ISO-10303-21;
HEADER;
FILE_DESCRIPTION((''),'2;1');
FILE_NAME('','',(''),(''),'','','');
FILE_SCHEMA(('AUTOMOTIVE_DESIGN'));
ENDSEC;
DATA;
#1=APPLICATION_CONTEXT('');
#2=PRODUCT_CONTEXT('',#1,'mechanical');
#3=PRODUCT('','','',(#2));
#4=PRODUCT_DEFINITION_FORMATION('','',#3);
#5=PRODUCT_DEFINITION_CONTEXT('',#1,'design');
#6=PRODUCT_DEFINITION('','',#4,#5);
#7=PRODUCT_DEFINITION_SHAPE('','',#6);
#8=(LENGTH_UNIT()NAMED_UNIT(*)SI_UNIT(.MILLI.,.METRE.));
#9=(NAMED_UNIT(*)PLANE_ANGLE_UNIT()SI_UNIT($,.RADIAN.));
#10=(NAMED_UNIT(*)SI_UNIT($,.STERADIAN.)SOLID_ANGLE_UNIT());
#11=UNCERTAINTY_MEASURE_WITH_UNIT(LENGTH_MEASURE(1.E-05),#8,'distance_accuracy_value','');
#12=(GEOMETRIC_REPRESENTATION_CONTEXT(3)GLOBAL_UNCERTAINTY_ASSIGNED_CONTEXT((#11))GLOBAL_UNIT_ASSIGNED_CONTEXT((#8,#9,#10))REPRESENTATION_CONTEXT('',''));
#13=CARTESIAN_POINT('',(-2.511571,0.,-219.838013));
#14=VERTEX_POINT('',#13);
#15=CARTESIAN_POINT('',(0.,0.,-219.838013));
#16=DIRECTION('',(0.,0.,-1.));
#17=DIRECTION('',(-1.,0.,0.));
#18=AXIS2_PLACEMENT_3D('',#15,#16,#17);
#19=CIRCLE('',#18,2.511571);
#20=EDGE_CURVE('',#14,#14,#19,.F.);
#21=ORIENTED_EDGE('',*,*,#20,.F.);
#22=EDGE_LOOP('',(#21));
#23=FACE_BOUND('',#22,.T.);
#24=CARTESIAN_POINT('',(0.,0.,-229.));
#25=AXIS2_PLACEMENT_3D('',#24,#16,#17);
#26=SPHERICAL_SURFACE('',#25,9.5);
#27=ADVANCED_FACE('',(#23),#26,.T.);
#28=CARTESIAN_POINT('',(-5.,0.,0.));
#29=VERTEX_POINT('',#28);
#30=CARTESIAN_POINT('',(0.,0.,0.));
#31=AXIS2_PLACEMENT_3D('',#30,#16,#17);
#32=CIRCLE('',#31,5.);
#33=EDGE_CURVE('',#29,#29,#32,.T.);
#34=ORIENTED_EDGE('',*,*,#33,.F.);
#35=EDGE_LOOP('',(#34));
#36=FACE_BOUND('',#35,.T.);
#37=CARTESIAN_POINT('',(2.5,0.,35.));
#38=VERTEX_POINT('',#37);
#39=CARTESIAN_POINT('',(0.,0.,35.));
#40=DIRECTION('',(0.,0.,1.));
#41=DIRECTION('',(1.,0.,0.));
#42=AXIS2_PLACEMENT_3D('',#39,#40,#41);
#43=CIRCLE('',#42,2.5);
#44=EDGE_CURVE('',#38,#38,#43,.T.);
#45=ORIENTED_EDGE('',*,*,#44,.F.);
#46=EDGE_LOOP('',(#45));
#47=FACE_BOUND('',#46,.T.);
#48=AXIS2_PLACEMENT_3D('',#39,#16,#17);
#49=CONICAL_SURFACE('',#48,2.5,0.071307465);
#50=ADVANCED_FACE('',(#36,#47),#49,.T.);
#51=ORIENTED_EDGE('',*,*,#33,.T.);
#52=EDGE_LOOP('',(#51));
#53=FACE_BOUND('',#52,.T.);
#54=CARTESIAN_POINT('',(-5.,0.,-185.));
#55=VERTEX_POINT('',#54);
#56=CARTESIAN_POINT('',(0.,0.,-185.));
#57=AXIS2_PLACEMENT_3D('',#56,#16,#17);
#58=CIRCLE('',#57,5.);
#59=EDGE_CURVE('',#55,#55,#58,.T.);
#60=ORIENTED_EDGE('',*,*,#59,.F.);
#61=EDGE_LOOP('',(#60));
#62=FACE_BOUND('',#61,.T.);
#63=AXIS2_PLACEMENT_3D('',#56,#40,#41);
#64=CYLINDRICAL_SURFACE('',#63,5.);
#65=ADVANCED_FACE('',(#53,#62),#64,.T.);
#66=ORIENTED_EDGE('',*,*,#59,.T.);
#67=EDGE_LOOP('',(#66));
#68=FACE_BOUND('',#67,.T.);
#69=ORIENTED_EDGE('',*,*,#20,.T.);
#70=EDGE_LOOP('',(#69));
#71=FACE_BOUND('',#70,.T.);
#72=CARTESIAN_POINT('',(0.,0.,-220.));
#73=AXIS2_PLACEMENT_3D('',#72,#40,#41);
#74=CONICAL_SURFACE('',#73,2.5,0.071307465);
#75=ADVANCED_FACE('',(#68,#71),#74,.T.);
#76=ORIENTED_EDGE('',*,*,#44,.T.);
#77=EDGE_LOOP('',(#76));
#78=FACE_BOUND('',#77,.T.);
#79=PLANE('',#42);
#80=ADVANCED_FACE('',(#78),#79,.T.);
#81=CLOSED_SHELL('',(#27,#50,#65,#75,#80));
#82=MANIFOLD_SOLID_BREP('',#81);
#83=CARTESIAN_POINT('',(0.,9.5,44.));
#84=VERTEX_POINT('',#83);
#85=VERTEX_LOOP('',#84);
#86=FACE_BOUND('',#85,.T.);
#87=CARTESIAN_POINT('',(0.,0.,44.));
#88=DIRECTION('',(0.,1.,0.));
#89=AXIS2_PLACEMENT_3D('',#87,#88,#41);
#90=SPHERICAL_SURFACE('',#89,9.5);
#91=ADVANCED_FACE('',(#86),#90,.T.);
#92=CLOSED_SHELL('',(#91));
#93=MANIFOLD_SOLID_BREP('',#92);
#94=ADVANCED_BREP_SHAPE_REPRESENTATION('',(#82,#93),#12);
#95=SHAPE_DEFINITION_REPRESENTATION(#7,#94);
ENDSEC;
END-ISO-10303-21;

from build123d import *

# Parameters (mm, degrees)
SKETCH2_R           = 5
SKETCH3_R           = 2.5
SKETCH4_R           = 5
BOSS_EXTRUDE2_DEPTH = 185
SKETCH5_R           = 5
SKETCH6_R           = 2.5


with BuildPart() as part:
    # Sketch2 → Loft1 section 0
    with BuildSketch(Plane.XY):
        Circle(SKETCH2_R)
    # Sketch3 → Loft1 section 1
    with BuildSketch(Plane.XY.offset(35)):
        Circle(SKETCH3_R)
    loft()

    # Sketch4 → Boss-Extrude2 (add)
    with BuildSketch(Plane(origin=(0, 0, 0), x_dir=(-1, 0, 0), z_dir=(0, 0, -1))):
        Circle(SKETCH4_R)
    extrude(amount=BOSS_EXTRUDE2_DEPTH)

    # Sketch5 → Loft2 section 0
    with BuildSketch(Plane(origin=(0, 0, -185), x_dir=(-1, 0, 0), z_dir=(0, 0, -1))):
        Circle(SKETCH5_R)
    # Sketch6 → Loft2 section 1
    with BuildSketch(Plane(origin=(0, 0, -220), x_dir=(-1, 0, 0), z_dir=(0, 0, -1))):
        Circle(SKETCH6_R)
    loft()

    # Sketch9 → Revolve2 (revolve)
    with BuildSketch(Plane(origin=(0, 0, -229), x_dir=(-1, 0, 0), z_dir=(0, 0, -1))):
        with BuildLine():
            Line((0, 9.5), (0, -9.5))
            ThreePointArc((0, -9.5), (9.5, 0), (0, 9.5))
        make_face()
    revolve(axis=Axis((0, 9.5, -229), (0, -1, 0)))


with BuildPart() as body_2:
    # Sketch8 → Revolve1 (revolve)
    with BuildSketch(Plane.XY.offset(44)):
        with BuildLine():
            Line((0, 9.5), (0, -9.5))
            ThreePointArc((0, -9.5), (9.5, 0), (0, 9.5))
        make_face()
    revolve(axis=Axis((0, 9.5, 44), (0, -1, 0)))


solid = Compound([part.part, body_2.part])
